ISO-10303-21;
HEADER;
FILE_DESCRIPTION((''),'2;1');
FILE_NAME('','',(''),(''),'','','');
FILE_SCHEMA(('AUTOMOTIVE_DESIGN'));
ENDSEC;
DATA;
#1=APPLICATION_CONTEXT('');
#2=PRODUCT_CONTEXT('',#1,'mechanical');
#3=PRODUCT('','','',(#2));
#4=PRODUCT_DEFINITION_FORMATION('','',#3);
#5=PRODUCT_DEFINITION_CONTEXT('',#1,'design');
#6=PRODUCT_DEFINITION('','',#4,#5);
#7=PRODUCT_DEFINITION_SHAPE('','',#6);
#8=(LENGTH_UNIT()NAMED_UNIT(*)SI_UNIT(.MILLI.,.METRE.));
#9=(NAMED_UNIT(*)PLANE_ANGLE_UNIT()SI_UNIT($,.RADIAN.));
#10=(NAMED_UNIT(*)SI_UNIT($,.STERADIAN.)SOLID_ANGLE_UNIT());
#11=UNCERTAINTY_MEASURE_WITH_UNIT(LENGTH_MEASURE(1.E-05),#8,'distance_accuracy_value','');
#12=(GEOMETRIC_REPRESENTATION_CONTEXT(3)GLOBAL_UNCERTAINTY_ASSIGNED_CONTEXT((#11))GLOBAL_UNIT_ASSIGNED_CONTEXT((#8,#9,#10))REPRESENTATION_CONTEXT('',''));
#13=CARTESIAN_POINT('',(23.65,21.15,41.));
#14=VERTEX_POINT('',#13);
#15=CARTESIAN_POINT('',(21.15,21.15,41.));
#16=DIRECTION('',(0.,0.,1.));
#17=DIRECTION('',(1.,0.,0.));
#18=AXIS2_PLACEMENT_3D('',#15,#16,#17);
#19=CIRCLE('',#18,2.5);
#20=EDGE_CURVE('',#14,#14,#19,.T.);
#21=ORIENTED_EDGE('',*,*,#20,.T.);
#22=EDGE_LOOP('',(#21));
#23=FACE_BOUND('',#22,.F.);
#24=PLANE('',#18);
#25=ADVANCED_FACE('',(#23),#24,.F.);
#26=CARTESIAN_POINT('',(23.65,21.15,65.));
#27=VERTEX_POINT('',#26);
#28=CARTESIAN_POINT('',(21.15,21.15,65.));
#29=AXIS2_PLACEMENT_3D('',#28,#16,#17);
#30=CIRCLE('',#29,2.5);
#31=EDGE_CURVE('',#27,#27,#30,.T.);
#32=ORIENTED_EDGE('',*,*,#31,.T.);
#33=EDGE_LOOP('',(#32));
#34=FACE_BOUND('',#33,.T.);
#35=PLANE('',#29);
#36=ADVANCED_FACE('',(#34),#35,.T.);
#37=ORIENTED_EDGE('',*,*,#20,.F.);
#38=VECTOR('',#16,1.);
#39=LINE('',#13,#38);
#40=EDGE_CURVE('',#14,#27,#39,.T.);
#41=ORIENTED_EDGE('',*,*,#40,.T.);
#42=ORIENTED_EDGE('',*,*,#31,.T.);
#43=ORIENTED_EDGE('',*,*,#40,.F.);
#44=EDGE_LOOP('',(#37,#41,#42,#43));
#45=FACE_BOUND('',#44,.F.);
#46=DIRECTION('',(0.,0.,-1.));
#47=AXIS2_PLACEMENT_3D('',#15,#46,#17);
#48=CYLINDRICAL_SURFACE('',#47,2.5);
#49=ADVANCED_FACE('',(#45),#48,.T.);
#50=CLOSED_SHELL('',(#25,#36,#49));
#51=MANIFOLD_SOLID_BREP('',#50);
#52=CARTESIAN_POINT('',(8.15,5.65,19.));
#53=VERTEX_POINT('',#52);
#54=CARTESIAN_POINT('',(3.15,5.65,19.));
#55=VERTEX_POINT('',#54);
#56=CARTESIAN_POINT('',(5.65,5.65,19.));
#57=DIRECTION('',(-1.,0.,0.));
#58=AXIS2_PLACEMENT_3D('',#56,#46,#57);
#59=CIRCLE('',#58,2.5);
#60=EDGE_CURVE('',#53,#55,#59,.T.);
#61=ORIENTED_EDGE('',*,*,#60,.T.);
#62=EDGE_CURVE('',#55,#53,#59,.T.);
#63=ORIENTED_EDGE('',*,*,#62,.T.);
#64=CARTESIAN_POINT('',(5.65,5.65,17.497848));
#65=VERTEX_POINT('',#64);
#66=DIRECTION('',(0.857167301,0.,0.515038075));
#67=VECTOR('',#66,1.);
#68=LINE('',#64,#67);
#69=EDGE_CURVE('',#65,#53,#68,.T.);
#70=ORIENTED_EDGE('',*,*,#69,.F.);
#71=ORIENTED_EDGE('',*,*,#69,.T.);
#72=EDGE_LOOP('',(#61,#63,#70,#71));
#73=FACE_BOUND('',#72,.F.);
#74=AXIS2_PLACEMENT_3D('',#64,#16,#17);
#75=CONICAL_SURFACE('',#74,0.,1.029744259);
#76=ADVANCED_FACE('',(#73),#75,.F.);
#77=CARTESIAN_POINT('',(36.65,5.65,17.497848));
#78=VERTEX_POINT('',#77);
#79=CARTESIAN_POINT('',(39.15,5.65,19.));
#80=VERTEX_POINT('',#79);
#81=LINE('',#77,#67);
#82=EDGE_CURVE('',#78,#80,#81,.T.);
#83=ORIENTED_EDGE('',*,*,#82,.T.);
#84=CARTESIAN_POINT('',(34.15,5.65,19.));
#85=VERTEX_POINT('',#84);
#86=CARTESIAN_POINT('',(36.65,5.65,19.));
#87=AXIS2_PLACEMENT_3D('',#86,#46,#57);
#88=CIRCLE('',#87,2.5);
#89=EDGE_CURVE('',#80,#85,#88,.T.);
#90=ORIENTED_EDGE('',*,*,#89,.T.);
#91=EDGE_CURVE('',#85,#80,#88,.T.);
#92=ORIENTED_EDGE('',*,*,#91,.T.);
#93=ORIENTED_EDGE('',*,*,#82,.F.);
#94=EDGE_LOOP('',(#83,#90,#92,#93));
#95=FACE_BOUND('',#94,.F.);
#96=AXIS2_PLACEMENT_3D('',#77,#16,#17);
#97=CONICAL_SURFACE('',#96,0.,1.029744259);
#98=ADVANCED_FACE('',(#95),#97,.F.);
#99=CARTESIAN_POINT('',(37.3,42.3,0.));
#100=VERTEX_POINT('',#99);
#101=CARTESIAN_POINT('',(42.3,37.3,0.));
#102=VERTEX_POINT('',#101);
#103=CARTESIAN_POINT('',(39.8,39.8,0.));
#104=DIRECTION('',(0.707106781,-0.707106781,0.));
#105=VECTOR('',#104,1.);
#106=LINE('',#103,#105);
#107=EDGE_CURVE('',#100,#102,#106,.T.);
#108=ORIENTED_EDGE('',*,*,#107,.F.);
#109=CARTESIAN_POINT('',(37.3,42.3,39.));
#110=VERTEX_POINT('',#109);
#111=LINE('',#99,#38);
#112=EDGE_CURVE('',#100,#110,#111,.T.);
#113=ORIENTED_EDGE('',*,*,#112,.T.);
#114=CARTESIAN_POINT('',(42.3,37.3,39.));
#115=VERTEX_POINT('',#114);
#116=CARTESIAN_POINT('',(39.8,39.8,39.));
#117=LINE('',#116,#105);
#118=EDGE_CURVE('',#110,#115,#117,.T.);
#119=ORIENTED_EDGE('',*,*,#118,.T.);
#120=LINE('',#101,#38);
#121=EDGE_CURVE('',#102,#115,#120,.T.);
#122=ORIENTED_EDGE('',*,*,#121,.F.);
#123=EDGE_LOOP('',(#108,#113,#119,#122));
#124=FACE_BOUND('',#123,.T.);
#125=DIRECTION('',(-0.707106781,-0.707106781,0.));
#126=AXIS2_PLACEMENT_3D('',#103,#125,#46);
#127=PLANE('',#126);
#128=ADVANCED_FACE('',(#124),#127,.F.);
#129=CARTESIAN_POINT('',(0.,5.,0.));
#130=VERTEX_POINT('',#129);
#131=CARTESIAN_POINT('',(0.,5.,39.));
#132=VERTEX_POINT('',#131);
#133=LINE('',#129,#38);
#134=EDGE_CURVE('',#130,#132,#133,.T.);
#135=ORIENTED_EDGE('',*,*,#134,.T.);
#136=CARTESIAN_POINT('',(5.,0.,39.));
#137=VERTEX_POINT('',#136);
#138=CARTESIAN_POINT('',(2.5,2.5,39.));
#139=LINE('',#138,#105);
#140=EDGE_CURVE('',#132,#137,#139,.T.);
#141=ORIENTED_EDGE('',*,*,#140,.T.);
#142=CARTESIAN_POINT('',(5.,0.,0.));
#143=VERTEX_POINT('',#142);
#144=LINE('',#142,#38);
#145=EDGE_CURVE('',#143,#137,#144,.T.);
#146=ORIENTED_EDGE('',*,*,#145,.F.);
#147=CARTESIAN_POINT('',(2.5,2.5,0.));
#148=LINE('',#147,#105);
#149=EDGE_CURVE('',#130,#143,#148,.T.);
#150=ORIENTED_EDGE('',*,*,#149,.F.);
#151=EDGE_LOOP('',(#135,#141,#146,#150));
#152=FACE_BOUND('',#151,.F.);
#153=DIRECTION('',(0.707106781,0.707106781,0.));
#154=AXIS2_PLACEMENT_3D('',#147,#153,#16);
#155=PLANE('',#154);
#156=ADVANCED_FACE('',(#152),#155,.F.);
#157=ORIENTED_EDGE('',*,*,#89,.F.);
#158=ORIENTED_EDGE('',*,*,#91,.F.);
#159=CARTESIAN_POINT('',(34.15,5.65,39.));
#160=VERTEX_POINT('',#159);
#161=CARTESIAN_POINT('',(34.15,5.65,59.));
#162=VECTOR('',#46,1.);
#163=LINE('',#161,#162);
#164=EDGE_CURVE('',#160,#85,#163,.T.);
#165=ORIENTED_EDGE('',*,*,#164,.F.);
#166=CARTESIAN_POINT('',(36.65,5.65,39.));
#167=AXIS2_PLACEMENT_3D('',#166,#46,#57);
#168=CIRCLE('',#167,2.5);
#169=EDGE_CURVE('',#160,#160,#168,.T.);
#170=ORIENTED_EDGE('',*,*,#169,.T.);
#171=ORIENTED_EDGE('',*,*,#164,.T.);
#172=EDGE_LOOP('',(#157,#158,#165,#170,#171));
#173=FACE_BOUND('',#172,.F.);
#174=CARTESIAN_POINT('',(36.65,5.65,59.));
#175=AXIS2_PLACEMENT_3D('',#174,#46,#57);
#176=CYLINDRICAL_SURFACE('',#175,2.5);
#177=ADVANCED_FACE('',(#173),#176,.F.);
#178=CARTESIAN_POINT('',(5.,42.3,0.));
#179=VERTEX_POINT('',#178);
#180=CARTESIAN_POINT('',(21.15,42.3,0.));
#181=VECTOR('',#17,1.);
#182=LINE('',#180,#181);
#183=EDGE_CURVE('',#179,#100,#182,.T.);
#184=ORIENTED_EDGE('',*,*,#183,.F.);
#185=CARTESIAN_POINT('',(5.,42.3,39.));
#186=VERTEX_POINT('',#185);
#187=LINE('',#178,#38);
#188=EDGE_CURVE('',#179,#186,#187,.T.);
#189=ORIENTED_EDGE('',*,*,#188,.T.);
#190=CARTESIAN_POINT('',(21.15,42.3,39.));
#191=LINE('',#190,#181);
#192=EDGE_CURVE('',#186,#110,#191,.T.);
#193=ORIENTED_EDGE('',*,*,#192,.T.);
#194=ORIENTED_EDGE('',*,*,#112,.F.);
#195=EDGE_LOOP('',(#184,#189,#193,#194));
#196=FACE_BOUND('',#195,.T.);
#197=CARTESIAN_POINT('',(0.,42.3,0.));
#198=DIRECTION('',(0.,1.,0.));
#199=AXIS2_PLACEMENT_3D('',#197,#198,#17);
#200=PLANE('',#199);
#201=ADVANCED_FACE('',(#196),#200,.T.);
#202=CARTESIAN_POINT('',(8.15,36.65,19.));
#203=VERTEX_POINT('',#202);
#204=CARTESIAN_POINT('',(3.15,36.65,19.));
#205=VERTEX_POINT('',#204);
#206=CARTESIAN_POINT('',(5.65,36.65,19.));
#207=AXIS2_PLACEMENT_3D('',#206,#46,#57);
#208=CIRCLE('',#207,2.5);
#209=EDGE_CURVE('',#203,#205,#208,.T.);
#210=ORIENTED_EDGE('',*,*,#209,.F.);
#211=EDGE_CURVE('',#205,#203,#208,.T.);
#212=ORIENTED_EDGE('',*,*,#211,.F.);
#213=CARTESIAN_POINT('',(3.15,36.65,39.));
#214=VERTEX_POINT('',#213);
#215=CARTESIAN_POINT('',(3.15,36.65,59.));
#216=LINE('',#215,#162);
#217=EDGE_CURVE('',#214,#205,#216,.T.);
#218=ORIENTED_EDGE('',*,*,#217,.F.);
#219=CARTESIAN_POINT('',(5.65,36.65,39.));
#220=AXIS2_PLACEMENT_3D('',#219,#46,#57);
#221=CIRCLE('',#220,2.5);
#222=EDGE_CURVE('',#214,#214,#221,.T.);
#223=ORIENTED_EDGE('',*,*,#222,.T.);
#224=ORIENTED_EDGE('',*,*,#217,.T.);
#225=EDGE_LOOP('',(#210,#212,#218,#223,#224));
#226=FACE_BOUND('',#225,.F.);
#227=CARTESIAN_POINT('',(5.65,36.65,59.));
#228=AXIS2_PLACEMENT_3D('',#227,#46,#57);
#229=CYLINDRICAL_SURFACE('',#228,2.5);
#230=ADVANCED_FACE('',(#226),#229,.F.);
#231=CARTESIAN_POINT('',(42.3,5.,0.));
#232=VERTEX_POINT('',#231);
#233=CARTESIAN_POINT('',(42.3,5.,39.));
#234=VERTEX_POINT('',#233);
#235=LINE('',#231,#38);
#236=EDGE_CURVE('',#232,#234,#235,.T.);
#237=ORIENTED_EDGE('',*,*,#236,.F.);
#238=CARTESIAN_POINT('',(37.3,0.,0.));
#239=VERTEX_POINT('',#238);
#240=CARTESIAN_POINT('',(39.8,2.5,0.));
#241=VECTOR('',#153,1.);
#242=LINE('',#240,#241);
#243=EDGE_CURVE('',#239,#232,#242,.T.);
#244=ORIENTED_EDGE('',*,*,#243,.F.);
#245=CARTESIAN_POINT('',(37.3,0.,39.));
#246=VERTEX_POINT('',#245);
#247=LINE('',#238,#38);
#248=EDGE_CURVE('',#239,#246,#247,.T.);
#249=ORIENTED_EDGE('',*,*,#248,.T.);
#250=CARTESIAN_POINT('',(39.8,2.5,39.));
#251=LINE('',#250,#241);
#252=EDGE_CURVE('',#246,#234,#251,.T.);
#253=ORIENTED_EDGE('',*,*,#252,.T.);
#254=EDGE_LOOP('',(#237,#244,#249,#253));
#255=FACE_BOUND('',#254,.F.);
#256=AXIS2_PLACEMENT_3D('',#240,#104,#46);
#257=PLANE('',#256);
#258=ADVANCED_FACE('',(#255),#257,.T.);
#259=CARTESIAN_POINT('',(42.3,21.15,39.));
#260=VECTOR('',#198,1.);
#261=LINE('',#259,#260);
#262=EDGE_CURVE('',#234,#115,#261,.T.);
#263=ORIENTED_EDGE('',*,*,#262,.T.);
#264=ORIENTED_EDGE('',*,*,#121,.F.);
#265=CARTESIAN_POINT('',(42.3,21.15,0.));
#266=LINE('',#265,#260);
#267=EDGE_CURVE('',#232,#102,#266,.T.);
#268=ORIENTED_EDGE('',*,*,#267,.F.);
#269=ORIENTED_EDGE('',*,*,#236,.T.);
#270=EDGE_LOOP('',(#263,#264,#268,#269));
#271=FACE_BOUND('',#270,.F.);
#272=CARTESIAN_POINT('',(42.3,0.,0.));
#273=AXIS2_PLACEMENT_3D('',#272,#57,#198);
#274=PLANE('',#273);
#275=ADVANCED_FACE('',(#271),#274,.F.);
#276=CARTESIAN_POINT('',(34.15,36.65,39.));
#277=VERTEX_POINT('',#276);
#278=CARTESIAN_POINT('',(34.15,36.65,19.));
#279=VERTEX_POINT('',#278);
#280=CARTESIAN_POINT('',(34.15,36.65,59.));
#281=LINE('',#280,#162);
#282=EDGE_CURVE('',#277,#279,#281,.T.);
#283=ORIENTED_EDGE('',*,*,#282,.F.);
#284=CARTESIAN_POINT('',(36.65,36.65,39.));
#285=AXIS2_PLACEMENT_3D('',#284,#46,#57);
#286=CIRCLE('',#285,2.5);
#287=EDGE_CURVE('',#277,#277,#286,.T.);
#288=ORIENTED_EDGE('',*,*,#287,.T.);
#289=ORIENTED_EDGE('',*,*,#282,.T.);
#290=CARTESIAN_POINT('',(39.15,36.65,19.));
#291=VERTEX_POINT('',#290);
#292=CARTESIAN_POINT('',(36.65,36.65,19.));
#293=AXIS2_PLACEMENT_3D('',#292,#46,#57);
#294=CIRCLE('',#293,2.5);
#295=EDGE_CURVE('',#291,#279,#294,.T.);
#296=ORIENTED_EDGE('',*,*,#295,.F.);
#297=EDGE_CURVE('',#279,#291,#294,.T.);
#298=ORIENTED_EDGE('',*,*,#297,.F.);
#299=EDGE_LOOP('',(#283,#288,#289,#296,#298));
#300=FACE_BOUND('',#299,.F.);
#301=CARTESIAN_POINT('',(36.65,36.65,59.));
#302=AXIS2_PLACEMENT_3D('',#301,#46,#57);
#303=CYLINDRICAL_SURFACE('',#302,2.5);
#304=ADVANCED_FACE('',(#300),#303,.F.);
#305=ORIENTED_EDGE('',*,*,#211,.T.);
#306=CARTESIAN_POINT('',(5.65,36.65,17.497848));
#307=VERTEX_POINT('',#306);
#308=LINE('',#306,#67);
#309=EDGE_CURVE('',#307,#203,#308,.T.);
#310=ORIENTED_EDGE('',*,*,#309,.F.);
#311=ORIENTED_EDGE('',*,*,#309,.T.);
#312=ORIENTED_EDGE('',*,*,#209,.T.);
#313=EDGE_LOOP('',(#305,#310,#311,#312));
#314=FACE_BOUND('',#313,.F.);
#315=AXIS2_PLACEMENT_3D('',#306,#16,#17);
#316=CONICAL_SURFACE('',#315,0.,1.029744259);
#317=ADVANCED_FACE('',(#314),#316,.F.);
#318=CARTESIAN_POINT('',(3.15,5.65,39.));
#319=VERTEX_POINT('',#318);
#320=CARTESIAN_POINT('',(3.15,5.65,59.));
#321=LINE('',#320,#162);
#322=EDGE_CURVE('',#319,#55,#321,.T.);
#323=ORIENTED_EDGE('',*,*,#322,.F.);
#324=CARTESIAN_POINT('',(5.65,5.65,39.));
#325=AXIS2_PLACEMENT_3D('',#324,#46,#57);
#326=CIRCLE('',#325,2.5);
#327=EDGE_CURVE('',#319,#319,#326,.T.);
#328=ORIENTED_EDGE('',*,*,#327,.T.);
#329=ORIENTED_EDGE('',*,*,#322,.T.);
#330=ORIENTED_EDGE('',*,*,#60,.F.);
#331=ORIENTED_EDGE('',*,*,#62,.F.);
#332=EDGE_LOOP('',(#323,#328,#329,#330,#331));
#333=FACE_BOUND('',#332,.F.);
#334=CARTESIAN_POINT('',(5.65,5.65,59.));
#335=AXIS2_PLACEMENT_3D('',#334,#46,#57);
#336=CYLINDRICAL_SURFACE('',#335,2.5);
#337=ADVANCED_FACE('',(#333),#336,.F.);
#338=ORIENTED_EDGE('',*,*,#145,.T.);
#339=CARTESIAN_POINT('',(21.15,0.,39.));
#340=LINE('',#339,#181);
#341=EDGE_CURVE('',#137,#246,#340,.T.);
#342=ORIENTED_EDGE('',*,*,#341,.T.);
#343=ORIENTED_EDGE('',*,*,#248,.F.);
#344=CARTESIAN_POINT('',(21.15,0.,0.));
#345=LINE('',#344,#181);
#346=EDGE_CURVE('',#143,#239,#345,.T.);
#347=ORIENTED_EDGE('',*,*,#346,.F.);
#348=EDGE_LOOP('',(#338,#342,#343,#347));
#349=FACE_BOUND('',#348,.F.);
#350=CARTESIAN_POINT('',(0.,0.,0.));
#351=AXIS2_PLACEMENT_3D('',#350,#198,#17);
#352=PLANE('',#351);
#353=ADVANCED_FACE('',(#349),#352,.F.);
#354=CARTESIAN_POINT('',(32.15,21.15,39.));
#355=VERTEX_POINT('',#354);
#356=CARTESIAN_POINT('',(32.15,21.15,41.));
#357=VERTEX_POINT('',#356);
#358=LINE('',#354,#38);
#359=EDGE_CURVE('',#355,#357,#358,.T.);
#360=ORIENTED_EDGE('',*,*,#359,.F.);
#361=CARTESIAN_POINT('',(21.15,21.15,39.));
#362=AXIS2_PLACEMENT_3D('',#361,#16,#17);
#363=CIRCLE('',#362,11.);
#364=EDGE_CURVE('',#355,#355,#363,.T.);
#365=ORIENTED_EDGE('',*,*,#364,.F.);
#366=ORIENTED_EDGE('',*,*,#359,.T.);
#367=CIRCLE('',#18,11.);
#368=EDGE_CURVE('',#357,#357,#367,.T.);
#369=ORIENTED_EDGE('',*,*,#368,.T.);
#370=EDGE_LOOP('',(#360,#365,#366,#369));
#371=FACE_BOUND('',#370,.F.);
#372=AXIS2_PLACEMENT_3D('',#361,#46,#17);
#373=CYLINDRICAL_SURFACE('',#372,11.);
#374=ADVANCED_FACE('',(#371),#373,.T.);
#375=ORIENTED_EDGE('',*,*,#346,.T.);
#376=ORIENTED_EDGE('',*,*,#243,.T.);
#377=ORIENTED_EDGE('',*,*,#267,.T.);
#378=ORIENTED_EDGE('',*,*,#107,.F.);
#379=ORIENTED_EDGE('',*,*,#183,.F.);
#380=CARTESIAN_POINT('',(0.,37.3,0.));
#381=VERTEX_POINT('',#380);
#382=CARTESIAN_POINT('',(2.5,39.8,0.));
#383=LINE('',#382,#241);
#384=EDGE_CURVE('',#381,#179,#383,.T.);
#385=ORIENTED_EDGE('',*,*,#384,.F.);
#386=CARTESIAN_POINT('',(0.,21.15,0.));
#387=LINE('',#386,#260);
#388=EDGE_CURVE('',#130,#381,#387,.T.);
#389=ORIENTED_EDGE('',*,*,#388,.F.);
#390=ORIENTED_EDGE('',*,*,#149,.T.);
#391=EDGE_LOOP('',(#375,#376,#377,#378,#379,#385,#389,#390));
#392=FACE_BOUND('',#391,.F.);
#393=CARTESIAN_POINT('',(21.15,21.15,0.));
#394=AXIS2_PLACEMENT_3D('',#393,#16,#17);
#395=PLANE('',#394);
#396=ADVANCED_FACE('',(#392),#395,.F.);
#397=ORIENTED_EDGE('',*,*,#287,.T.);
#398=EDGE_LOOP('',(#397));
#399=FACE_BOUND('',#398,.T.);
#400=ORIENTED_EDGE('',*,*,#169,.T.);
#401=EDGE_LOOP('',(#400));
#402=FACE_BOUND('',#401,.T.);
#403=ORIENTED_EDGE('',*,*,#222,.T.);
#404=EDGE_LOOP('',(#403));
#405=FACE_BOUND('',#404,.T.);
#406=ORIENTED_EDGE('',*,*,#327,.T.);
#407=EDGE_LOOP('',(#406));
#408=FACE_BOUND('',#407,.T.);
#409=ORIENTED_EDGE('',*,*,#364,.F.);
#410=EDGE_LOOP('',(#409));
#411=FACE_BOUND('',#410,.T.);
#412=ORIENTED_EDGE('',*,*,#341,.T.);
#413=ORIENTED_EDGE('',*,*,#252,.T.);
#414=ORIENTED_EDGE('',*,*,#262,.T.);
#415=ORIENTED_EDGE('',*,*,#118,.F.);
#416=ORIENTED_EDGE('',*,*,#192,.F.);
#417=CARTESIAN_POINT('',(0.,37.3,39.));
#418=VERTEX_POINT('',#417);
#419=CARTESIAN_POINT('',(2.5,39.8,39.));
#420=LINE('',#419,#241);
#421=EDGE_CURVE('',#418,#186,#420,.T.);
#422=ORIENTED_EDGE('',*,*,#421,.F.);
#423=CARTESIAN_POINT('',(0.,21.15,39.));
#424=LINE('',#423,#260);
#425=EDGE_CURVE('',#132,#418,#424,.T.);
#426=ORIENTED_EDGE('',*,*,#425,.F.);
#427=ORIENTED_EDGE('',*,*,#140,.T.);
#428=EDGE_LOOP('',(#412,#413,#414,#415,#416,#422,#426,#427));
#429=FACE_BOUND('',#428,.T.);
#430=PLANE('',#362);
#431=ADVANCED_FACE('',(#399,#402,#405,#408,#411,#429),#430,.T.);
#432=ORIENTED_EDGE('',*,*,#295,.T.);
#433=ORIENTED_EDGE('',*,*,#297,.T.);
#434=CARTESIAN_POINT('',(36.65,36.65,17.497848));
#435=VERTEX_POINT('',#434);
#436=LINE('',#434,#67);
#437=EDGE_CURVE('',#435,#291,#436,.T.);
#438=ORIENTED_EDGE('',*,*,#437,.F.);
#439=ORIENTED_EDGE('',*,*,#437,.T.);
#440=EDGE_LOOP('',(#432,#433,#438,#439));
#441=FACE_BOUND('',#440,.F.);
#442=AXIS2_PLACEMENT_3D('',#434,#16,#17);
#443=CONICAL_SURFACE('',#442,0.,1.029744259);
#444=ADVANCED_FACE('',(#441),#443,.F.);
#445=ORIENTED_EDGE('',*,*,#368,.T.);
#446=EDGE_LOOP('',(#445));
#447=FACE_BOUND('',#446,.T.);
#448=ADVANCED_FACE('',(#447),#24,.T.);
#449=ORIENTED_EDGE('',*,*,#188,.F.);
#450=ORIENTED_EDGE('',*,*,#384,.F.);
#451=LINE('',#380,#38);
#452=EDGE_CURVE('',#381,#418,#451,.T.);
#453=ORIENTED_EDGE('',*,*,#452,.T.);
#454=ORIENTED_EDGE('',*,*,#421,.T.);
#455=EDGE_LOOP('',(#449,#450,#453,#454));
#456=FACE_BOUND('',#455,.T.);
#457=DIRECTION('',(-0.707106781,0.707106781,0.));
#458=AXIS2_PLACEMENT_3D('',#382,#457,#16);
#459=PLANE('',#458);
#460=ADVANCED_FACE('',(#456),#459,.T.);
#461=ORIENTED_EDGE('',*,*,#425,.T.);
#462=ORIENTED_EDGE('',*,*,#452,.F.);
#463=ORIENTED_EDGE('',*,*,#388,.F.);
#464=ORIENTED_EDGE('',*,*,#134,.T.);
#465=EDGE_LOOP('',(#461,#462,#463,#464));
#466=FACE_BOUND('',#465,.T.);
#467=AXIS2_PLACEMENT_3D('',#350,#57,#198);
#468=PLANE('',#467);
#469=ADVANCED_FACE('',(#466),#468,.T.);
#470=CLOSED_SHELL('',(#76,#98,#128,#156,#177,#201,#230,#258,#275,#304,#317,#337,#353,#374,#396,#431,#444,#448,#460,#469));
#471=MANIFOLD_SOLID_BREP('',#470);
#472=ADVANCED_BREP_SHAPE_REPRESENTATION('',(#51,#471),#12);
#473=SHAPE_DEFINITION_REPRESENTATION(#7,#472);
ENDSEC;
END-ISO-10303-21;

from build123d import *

# Parameters (mm, degrees)
F0_W     = 42.3
F0_H     = 42.3
F1_DEPTH = 39
F2_R     = 11
F3_DEPTH = 2
F4_R     = 2.5
F5_DEPTH = 24
F7_D     = 5
F7_DEPTH = 20
F7_TIP   = 1.5021515476
F8_SIZE  = 5


with BuildPart() as f1:
    # F0 (on Top) → F1 (new body)
    with BuildSketch(Plane.XY):
        with Locations((21.15, 21.15)):
            Rectangle(F0_W, F0_H)
    extrude(amount=F1_DEPTH)

    # F2 (on face) → F3 (join)
    with BuildSketch(Plane.XY.offset(39)):
        with Locations((21.15, 21.15)):
            Circle(F2_R)
    extrude(amount=F3_DEPTH)

    # F7
    with Locations(Plane.XY.offset(39)):
        with Locations((5.65, 36.65), (36.65, 36.65), (36.65, 5.65), (5.65, 5.65)):
            Hole(F7_D / 2, depth=F7_DEPTH)
            with Locations((0, 0, -(F7_DEPTH + F7_TIP / 2))):  # 118° drill point
                Cone(0, F7_D / 2, F7_TIP, mode=Mode.SUBTRACT)

    # F8
    f8_edges = [f1.edges().sort_by_distance(p)[0] for p in [
        (0, 42.3, 19.5),
        (0, 0, 19.5),
        (42.3, 0, 19.5),
        (42.3, 42.3, 19.5),
    ]]
    chamfer(f8_edges, length=F8_SIZE)


with BuildPart() as f5:
    # F4 (on face) → F5 (new body)
    with BuildSketch(Plane.XY.offset(41)):
        with Locations((21.15, 21.15)):
            Circle(F4_R)
    extrude(amount=F5_DEPTH)


solid = Compound([f1.part, f5.part])
